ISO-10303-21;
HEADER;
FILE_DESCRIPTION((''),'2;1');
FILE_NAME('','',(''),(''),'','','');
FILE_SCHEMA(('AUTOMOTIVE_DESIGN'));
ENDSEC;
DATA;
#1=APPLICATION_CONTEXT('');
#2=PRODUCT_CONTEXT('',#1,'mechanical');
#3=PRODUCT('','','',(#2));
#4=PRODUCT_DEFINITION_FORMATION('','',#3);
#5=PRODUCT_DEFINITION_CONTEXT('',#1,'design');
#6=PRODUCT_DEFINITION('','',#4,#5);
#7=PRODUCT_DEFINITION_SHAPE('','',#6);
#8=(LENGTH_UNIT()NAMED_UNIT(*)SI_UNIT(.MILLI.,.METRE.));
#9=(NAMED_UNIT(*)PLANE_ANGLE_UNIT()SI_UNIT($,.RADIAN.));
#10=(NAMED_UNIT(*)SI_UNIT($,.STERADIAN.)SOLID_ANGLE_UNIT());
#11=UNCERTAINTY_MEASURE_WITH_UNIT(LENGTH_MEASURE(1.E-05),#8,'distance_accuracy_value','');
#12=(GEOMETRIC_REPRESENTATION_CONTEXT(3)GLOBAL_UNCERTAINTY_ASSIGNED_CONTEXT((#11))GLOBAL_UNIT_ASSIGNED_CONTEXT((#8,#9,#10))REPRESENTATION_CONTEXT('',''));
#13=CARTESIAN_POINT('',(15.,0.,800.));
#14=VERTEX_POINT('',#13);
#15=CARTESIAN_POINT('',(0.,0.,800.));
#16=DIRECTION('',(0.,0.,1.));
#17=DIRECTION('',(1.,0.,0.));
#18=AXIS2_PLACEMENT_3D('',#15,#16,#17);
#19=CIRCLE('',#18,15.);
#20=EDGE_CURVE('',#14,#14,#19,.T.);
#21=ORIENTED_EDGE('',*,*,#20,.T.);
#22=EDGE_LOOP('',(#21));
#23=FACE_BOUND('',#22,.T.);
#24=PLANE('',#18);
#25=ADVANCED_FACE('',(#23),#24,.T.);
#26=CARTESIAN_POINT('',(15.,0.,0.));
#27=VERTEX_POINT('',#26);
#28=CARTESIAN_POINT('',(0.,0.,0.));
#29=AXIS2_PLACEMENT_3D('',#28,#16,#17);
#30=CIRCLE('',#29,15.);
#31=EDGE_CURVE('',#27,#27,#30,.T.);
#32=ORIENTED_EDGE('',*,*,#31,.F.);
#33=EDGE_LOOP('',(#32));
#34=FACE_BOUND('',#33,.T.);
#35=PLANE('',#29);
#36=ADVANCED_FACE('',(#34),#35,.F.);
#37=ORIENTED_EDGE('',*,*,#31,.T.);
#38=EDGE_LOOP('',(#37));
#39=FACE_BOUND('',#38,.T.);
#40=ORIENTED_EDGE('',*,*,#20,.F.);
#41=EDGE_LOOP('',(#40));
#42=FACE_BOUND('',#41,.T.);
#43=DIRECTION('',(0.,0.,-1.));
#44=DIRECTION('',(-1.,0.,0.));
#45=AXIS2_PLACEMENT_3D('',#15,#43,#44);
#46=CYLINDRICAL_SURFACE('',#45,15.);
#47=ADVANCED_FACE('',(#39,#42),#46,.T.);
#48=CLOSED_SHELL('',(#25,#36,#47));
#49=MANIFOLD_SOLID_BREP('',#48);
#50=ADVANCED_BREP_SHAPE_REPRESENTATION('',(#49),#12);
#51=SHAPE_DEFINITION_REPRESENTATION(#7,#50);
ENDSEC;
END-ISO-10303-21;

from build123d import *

# Parameters (mm, degrees)
SKETCH_1_R      = 15
EXTRUDE_1_DEPTH = 800


with BuildPart() as part:
    # 草圖1 → 填料-伸長1 (new body)
    with BuildSketch(Plane.XY):
        Circle(SKETCH_1_R)
    extrude(amount=EXTRUDE_1_DEPTH)


solid = part.part
